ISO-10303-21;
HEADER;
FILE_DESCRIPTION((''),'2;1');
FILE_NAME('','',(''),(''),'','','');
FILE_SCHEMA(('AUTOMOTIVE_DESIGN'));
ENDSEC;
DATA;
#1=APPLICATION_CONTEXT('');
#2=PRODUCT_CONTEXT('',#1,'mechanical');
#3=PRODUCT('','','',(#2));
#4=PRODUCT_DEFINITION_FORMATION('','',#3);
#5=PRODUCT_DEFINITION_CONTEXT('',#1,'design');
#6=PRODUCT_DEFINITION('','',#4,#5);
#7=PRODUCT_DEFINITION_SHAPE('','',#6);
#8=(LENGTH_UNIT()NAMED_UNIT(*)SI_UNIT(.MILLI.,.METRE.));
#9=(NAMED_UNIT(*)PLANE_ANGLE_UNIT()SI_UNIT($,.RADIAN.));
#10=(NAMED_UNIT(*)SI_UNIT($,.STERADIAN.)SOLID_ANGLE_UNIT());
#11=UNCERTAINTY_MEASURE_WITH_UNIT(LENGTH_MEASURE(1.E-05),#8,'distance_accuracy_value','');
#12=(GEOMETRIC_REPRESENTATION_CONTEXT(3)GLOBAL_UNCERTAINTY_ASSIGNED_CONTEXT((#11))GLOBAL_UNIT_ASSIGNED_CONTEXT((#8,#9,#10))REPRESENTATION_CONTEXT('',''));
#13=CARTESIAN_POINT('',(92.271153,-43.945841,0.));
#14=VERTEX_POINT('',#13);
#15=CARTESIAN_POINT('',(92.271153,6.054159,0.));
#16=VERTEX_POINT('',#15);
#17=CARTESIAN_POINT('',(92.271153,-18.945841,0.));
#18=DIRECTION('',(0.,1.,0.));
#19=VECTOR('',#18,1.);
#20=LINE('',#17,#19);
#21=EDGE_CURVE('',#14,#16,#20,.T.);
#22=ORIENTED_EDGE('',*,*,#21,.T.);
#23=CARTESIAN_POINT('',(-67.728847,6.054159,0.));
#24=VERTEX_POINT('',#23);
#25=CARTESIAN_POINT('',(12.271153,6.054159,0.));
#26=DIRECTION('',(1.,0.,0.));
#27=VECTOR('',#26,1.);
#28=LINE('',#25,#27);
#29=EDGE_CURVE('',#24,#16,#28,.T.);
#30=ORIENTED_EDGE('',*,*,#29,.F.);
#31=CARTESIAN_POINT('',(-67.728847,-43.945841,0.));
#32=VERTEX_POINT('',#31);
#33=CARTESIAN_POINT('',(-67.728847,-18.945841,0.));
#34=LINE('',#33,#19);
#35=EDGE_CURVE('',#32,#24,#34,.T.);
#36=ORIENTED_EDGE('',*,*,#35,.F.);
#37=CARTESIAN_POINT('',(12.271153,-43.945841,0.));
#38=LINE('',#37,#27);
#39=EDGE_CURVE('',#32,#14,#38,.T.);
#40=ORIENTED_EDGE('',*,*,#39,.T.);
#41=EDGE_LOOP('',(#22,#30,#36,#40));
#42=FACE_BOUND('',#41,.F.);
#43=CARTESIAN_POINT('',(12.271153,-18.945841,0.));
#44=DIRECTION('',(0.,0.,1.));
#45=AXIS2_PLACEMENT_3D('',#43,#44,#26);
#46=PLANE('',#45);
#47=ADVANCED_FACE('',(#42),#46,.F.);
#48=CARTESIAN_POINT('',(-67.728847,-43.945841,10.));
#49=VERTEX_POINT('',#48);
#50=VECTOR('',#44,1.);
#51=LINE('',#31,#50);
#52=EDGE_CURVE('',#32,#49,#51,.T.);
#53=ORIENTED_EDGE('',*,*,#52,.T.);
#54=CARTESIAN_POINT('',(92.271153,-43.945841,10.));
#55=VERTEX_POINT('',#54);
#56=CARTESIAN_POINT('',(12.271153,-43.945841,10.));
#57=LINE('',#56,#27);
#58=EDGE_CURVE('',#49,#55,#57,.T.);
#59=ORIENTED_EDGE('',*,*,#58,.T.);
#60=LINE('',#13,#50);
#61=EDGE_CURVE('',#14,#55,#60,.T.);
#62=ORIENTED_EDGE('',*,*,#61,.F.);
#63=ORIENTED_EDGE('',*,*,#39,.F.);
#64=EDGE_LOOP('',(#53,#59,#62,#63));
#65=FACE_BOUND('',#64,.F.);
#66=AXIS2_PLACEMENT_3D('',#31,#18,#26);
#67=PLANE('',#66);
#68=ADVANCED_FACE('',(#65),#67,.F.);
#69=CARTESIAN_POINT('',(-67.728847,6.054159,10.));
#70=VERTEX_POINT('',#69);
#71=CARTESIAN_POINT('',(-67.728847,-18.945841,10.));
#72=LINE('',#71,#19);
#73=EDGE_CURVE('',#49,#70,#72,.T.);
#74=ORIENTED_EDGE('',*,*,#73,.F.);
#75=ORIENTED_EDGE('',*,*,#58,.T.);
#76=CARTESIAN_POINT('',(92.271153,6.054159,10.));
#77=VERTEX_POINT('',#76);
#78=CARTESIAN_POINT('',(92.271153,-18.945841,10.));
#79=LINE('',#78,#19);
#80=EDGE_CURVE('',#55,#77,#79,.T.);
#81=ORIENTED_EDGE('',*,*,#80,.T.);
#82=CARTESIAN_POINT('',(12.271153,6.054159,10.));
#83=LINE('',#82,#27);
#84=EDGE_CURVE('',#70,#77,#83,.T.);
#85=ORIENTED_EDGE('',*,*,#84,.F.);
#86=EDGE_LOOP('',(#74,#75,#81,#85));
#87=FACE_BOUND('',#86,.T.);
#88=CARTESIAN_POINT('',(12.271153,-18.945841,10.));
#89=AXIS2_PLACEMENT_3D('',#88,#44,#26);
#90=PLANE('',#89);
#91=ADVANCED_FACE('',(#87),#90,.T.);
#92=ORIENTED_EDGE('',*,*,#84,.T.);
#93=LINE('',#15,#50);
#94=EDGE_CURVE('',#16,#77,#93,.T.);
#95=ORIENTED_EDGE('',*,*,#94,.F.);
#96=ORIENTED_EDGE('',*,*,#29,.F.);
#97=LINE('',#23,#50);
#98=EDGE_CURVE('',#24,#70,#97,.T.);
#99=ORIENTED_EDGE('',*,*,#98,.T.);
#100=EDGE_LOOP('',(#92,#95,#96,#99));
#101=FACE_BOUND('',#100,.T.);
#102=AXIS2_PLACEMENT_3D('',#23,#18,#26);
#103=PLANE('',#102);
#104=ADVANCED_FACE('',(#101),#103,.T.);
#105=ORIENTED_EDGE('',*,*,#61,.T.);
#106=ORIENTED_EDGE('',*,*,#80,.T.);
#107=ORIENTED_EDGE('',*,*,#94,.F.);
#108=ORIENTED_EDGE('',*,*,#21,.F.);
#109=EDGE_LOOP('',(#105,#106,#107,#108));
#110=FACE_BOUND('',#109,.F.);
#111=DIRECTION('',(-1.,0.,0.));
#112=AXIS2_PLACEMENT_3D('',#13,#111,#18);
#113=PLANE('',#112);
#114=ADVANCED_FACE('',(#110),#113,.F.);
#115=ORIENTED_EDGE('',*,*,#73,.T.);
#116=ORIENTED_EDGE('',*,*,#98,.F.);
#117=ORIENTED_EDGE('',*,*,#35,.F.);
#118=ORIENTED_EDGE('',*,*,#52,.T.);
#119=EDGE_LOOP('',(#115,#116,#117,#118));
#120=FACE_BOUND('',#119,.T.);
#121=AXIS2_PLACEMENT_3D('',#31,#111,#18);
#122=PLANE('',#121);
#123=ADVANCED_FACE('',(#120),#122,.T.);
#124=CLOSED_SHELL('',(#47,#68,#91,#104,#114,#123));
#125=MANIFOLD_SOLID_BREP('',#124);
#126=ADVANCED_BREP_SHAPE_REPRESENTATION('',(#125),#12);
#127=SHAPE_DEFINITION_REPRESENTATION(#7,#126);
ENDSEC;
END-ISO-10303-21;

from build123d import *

# Parameters (mm, degrees)
SKETCH_1_W      = 160
SKETCH_1_H      = 50
EXTRUDE_1_DEPTH = 10


with BuildPart() as part:
    # ｽｹｯﾁ1 → ﾎﾞｽ - 押し出し1 (new body)
    with BuildSketch(Plane.XY):
        with Locations((12.271152895, -18.945841393)):
            Rectangle(SKETCH_1_W, SKETCH_1_H)
    extrude(amount=EXTRUDE_1_DEPTH)


solid = part.part
